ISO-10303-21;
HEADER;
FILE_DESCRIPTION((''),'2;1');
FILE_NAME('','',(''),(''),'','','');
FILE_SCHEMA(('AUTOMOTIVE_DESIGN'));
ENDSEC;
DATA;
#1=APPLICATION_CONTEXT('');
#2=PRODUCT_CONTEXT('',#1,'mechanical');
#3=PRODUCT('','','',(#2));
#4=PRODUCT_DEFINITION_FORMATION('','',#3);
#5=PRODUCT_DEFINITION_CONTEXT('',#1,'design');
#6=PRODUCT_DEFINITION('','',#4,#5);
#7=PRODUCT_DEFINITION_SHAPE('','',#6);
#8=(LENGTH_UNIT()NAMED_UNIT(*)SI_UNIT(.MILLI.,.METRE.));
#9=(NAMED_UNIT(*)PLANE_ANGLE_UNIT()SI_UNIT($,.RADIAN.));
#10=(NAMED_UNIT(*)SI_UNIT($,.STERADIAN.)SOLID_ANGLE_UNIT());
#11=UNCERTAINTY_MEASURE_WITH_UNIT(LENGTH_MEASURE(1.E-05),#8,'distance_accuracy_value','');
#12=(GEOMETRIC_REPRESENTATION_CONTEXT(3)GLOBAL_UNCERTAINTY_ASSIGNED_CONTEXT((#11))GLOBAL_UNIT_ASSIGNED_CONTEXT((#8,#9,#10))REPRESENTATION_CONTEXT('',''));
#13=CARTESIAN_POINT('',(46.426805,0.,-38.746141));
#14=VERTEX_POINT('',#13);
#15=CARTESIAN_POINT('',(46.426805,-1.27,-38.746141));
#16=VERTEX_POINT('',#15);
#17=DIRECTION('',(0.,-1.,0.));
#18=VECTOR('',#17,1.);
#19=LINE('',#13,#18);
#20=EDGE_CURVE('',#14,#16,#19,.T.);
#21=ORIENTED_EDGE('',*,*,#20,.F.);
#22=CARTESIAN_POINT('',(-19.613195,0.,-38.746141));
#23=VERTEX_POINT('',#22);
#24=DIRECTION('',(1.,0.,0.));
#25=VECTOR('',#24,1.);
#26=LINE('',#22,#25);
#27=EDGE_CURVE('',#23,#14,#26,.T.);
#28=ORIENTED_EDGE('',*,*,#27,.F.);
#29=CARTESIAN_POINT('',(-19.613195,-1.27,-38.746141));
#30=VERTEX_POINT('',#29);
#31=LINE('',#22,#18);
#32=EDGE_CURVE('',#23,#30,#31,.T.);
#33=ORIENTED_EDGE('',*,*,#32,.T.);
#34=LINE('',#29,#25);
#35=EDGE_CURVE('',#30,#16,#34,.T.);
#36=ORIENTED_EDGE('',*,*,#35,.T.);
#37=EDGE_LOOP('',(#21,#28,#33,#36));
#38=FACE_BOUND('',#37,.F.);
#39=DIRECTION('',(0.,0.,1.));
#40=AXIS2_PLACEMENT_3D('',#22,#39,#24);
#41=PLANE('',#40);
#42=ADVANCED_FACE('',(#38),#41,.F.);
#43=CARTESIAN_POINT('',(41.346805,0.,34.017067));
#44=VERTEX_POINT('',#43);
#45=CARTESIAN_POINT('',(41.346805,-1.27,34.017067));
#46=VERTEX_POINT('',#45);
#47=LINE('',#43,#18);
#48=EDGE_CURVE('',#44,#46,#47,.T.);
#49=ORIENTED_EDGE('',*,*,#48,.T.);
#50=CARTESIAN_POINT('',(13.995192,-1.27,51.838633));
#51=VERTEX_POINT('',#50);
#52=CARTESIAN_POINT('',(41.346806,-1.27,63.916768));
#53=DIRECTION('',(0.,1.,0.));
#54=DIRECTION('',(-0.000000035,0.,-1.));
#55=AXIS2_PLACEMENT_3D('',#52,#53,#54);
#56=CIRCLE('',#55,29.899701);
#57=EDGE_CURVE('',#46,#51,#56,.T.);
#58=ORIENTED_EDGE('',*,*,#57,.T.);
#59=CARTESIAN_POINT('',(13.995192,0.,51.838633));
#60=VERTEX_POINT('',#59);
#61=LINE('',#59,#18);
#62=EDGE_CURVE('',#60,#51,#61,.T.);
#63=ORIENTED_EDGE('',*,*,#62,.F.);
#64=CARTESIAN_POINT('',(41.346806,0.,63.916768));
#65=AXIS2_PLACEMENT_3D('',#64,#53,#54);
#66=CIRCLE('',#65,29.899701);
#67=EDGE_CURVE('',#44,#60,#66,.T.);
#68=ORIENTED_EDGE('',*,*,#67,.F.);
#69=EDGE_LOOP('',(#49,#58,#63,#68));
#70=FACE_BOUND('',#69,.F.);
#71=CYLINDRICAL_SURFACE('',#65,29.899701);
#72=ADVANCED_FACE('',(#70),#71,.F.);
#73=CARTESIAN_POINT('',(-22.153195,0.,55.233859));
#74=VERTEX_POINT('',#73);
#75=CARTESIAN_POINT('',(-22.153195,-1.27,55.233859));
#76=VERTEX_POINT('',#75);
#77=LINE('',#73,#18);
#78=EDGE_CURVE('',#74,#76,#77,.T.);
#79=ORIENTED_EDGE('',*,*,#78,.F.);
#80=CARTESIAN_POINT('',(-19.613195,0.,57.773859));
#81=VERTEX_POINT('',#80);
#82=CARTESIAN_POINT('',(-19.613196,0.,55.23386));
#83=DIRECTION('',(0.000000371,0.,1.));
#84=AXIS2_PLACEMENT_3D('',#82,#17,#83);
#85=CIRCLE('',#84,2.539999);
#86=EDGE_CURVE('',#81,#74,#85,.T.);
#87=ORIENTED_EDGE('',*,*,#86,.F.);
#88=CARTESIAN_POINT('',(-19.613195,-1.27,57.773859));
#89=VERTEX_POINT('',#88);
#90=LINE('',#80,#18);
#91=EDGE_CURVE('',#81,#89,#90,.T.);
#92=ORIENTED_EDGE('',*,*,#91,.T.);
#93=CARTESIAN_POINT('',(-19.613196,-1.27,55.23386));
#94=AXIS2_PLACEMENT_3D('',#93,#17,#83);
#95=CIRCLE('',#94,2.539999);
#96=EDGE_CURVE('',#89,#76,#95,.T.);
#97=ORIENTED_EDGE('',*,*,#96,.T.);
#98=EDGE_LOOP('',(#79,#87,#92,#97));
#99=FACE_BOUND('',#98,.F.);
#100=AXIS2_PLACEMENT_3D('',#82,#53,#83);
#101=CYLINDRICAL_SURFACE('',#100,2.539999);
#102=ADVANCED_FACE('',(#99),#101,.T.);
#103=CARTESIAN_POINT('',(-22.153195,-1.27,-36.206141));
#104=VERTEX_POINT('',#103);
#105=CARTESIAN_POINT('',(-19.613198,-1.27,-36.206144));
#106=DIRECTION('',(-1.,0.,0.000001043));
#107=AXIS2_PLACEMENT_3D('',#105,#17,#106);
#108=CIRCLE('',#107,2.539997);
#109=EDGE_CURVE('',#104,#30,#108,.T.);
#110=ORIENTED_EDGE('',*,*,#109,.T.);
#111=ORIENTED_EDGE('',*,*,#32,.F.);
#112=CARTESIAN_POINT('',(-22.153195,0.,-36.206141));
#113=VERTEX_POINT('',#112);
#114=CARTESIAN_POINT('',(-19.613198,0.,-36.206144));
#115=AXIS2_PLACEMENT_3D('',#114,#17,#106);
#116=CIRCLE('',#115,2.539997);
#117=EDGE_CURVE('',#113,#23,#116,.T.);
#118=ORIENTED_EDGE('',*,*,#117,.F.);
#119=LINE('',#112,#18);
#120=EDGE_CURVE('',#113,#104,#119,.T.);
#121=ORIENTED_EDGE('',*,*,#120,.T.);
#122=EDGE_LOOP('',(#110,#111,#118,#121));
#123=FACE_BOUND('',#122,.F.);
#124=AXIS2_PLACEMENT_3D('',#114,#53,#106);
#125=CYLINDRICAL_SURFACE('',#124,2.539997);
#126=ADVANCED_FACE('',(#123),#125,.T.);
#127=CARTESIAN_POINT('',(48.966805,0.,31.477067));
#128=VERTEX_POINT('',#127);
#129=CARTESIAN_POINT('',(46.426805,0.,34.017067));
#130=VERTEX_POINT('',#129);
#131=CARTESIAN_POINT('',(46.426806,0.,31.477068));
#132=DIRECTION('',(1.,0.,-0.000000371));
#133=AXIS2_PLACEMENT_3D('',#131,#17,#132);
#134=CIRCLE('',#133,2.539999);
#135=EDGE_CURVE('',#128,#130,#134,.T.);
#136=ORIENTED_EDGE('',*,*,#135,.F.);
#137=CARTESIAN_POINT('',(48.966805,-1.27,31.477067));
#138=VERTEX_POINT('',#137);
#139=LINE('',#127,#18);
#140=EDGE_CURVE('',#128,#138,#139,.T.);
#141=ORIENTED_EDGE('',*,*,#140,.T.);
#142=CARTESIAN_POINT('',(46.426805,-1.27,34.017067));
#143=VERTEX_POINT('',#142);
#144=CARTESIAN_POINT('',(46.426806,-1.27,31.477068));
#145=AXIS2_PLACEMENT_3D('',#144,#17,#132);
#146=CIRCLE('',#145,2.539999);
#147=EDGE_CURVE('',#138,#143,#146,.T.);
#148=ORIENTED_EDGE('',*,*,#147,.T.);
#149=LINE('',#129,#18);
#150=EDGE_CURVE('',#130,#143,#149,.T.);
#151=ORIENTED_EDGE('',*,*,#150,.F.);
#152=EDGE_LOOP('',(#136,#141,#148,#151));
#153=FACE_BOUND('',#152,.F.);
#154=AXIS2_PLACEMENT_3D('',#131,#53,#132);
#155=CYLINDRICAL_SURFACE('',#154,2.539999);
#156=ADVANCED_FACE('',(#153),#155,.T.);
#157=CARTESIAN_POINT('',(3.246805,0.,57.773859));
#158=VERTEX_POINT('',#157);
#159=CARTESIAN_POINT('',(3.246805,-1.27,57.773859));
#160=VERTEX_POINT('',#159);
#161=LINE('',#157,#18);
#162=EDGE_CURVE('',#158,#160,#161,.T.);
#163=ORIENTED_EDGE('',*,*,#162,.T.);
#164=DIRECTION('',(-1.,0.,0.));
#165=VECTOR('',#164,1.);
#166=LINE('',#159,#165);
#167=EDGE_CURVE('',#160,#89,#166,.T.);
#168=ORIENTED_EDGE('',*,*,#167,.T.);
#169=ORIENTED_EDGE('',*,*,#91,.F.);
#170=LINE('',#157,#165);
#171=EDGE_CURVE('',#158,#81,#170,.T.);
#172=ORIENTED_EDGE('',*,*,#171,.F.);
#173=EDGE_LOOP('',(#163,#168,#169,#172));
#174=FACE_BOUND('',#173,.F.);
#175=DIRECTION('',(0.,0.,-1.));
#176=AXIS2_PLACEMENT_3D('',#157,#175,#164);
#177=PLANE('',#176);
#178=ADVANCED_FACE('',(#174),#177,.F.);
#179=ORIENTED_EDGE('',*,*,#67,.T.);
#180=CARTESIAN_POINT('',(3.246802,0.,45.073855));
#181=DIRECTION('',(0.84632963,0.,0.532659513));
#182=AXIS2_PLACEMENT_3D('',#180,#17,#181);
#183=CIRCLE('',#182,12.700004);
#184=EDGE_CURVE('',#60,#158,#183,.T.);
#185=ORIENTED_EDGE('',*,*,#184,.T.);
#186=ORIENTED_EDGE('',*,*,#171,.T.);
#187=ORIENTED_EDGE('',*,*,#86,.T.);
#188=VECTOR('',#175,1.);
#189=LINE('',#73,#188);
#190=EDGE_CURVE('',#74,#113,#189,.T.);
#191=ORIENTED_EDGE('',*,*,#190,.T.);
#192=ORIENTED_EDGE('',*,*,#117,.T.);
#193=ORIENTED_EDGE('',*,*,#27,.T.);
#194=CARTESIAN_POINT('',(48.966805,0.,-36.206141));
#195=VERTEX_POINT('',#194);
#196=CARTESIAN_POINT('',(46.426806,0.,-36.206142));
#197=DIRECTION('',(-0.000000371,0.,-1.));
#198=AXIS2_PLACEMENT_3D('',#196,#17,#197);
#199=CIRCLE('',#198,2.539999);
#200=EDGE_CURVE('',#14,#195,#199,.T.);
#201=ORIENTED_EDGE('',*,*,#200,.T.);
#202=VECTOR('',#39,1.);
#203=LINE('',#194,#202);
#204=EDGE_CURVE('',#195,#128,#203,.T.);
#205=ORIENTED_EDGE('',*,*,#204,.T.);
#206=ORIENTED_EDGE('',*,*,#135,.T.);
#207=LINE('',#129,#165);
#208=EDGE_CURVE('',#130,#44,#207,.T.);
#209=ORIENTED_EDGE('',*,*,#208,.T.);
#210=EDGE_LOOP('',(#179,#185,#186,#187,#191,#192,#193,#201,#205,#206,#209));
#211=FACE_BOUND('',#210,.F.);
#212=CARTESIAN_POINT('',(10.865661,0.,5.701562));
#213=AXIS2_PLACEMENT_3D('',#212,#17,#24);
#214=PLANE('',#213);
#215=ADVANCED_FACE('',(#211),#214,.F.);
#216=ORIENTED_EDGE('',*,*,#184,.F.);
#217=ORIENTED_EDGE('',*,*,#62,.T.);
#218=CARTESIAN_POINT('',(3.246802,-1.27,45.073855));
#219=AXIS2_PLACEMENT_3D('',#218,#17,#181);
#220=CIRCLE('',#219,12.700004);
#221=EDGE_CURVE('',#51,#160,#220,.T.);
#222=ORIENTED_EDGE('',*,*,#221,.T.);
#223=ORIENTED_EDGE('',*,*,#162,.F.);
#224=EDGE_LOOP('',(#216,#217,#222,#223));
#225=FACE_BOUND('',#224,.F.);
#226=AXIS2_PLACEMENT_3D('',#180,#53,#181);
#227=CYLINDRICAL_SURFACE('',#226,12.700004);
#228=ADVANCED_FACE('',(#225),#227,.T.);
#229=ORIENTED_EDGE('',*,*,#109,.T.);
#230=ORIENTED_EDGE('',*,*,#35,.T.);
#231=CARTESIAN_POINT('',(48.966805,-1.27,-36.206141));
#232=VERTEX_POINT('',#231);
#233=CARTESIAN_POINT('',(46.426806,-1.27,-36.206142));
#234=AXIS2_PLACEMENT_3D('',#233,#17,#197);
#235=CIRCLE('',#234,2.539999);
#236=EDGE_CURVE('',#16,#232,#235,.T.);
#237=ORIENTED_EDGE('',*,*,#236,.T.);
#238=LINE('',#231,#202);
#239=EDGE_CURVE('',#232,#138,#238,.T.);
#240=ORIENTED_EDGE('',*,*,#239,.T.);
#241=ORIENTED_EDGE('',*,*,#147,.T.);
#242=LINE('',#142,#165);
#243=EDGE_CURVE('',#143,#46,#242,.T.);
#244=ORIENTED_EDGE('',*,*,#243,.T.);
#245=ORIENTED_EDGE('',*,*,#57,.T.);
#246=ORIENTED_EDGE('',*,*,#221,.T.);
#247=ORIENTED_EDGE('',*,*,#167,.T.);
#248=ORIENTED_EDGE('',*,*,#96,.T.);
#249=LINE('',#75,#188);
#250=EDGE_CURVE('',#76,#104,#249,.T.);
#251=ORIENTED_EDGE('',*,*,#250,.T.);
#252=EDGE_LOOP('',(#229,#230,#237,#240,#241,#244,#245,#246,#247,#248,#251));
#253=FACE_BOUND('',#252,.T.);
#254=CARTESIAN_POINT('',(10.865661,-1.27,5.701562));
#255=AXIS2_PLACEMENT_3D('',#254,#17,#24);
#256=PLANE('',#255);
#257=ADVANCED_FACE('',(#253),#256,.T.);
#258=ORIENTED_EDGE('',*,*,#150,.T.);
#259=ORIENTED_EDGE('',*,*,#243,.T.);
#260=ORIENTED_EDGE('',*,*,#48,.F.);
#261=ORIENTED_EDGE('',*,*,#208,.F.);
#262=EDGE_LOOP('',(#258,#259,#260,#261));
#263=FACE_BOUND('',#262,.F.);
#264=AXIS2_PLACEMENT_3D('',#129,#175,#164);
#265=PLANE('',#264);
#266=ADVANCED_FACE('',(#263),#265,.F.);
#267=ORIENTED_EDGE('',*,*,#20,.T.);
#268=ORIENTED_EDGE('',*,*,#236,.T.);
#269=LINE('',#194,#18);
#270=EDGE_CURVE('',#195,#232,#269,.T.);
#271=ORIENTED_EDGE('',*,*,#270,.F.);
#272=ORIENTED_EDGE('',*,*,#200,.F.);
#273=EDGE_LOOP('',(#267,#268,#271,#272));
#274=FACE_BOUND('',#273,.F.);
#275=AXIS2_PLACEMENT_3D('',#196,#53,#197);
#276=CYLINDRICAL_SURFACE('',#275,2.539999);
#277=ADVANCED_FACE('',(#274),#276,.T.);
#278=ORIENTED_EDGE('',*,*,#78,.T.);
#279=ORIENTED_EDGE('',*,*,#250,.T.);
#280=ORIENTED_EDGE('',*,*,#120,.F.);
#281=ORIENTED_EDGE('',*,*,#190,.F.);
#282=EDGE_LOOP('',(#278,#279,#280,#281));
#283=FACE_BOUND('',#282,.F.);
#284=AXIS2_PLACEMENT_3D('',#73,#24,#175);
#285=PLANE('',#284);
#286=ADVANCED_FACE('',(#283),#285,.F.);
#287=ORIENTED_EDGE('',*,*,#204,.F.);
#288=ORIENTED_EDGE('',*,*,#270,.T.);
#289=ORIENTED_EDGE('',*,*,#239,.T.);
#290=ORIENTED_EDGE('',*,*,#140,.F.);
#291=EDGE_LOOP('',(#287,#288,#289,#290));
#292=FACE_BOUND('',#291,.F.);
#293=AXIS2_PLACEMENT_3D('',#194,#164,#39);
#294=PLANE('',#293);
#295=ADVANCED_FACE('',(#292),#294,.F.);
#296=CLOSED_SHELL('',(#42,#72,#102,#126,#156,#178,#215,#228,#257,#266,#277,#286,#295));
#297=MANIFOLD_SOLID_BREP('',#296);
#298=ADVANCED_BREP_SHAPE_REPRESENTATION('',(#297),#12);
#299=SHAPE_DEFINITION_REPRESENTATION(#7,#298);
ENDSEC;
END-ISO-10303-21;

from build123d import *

# Parameters (mm, degrees)
F1_DEPTH = 1.27


with BuildPart() as f1:
    # F0 (on Front) → F1 (new body)
    with BuildSketch(Plane.XZ):
        with BuildLine():
            Line((3.246805, 57.773859), (-19.613195, 57.773859))
            ThreePointArc((-19.613195, 57.773859), (-21.409247, 57.02991), (-22.153195, 55.233859))
            Line((-22.153195, 55.233859), (-22.153195, -36.206141))
            ThreePointArc((-22.153195, -36.206141), (-21.409247, -38.002193), (-19.613195, -38.746141))
            Line((-19.613195, -38.746141), (46.426805, -38.746141))
            ThreePointArc((46.426805, -38.746141), (48.222856, -38.002193), (48.966805, -36.206141))
            Line((48.966805, -36.206141), (48.966805, 31.477067))
            ThreePointArc((48.966805, 31.477067), (48.222856, 33.273119), (46.426805, 34.017067))
            Line((46.426805, 34.017067), (41.346805, 34.017067))
            ThreePointArc((41.346805, 34.017067), (25.02413, 38.865573), (13.995192, 51.838633))
            ThreePointArc((13.995192, 51.838633), (9.385916, 56.191471), (3.246805, 57.773859))
        make_face()
    extrude(amount=F1_DEPTH)


solid = f1.part
